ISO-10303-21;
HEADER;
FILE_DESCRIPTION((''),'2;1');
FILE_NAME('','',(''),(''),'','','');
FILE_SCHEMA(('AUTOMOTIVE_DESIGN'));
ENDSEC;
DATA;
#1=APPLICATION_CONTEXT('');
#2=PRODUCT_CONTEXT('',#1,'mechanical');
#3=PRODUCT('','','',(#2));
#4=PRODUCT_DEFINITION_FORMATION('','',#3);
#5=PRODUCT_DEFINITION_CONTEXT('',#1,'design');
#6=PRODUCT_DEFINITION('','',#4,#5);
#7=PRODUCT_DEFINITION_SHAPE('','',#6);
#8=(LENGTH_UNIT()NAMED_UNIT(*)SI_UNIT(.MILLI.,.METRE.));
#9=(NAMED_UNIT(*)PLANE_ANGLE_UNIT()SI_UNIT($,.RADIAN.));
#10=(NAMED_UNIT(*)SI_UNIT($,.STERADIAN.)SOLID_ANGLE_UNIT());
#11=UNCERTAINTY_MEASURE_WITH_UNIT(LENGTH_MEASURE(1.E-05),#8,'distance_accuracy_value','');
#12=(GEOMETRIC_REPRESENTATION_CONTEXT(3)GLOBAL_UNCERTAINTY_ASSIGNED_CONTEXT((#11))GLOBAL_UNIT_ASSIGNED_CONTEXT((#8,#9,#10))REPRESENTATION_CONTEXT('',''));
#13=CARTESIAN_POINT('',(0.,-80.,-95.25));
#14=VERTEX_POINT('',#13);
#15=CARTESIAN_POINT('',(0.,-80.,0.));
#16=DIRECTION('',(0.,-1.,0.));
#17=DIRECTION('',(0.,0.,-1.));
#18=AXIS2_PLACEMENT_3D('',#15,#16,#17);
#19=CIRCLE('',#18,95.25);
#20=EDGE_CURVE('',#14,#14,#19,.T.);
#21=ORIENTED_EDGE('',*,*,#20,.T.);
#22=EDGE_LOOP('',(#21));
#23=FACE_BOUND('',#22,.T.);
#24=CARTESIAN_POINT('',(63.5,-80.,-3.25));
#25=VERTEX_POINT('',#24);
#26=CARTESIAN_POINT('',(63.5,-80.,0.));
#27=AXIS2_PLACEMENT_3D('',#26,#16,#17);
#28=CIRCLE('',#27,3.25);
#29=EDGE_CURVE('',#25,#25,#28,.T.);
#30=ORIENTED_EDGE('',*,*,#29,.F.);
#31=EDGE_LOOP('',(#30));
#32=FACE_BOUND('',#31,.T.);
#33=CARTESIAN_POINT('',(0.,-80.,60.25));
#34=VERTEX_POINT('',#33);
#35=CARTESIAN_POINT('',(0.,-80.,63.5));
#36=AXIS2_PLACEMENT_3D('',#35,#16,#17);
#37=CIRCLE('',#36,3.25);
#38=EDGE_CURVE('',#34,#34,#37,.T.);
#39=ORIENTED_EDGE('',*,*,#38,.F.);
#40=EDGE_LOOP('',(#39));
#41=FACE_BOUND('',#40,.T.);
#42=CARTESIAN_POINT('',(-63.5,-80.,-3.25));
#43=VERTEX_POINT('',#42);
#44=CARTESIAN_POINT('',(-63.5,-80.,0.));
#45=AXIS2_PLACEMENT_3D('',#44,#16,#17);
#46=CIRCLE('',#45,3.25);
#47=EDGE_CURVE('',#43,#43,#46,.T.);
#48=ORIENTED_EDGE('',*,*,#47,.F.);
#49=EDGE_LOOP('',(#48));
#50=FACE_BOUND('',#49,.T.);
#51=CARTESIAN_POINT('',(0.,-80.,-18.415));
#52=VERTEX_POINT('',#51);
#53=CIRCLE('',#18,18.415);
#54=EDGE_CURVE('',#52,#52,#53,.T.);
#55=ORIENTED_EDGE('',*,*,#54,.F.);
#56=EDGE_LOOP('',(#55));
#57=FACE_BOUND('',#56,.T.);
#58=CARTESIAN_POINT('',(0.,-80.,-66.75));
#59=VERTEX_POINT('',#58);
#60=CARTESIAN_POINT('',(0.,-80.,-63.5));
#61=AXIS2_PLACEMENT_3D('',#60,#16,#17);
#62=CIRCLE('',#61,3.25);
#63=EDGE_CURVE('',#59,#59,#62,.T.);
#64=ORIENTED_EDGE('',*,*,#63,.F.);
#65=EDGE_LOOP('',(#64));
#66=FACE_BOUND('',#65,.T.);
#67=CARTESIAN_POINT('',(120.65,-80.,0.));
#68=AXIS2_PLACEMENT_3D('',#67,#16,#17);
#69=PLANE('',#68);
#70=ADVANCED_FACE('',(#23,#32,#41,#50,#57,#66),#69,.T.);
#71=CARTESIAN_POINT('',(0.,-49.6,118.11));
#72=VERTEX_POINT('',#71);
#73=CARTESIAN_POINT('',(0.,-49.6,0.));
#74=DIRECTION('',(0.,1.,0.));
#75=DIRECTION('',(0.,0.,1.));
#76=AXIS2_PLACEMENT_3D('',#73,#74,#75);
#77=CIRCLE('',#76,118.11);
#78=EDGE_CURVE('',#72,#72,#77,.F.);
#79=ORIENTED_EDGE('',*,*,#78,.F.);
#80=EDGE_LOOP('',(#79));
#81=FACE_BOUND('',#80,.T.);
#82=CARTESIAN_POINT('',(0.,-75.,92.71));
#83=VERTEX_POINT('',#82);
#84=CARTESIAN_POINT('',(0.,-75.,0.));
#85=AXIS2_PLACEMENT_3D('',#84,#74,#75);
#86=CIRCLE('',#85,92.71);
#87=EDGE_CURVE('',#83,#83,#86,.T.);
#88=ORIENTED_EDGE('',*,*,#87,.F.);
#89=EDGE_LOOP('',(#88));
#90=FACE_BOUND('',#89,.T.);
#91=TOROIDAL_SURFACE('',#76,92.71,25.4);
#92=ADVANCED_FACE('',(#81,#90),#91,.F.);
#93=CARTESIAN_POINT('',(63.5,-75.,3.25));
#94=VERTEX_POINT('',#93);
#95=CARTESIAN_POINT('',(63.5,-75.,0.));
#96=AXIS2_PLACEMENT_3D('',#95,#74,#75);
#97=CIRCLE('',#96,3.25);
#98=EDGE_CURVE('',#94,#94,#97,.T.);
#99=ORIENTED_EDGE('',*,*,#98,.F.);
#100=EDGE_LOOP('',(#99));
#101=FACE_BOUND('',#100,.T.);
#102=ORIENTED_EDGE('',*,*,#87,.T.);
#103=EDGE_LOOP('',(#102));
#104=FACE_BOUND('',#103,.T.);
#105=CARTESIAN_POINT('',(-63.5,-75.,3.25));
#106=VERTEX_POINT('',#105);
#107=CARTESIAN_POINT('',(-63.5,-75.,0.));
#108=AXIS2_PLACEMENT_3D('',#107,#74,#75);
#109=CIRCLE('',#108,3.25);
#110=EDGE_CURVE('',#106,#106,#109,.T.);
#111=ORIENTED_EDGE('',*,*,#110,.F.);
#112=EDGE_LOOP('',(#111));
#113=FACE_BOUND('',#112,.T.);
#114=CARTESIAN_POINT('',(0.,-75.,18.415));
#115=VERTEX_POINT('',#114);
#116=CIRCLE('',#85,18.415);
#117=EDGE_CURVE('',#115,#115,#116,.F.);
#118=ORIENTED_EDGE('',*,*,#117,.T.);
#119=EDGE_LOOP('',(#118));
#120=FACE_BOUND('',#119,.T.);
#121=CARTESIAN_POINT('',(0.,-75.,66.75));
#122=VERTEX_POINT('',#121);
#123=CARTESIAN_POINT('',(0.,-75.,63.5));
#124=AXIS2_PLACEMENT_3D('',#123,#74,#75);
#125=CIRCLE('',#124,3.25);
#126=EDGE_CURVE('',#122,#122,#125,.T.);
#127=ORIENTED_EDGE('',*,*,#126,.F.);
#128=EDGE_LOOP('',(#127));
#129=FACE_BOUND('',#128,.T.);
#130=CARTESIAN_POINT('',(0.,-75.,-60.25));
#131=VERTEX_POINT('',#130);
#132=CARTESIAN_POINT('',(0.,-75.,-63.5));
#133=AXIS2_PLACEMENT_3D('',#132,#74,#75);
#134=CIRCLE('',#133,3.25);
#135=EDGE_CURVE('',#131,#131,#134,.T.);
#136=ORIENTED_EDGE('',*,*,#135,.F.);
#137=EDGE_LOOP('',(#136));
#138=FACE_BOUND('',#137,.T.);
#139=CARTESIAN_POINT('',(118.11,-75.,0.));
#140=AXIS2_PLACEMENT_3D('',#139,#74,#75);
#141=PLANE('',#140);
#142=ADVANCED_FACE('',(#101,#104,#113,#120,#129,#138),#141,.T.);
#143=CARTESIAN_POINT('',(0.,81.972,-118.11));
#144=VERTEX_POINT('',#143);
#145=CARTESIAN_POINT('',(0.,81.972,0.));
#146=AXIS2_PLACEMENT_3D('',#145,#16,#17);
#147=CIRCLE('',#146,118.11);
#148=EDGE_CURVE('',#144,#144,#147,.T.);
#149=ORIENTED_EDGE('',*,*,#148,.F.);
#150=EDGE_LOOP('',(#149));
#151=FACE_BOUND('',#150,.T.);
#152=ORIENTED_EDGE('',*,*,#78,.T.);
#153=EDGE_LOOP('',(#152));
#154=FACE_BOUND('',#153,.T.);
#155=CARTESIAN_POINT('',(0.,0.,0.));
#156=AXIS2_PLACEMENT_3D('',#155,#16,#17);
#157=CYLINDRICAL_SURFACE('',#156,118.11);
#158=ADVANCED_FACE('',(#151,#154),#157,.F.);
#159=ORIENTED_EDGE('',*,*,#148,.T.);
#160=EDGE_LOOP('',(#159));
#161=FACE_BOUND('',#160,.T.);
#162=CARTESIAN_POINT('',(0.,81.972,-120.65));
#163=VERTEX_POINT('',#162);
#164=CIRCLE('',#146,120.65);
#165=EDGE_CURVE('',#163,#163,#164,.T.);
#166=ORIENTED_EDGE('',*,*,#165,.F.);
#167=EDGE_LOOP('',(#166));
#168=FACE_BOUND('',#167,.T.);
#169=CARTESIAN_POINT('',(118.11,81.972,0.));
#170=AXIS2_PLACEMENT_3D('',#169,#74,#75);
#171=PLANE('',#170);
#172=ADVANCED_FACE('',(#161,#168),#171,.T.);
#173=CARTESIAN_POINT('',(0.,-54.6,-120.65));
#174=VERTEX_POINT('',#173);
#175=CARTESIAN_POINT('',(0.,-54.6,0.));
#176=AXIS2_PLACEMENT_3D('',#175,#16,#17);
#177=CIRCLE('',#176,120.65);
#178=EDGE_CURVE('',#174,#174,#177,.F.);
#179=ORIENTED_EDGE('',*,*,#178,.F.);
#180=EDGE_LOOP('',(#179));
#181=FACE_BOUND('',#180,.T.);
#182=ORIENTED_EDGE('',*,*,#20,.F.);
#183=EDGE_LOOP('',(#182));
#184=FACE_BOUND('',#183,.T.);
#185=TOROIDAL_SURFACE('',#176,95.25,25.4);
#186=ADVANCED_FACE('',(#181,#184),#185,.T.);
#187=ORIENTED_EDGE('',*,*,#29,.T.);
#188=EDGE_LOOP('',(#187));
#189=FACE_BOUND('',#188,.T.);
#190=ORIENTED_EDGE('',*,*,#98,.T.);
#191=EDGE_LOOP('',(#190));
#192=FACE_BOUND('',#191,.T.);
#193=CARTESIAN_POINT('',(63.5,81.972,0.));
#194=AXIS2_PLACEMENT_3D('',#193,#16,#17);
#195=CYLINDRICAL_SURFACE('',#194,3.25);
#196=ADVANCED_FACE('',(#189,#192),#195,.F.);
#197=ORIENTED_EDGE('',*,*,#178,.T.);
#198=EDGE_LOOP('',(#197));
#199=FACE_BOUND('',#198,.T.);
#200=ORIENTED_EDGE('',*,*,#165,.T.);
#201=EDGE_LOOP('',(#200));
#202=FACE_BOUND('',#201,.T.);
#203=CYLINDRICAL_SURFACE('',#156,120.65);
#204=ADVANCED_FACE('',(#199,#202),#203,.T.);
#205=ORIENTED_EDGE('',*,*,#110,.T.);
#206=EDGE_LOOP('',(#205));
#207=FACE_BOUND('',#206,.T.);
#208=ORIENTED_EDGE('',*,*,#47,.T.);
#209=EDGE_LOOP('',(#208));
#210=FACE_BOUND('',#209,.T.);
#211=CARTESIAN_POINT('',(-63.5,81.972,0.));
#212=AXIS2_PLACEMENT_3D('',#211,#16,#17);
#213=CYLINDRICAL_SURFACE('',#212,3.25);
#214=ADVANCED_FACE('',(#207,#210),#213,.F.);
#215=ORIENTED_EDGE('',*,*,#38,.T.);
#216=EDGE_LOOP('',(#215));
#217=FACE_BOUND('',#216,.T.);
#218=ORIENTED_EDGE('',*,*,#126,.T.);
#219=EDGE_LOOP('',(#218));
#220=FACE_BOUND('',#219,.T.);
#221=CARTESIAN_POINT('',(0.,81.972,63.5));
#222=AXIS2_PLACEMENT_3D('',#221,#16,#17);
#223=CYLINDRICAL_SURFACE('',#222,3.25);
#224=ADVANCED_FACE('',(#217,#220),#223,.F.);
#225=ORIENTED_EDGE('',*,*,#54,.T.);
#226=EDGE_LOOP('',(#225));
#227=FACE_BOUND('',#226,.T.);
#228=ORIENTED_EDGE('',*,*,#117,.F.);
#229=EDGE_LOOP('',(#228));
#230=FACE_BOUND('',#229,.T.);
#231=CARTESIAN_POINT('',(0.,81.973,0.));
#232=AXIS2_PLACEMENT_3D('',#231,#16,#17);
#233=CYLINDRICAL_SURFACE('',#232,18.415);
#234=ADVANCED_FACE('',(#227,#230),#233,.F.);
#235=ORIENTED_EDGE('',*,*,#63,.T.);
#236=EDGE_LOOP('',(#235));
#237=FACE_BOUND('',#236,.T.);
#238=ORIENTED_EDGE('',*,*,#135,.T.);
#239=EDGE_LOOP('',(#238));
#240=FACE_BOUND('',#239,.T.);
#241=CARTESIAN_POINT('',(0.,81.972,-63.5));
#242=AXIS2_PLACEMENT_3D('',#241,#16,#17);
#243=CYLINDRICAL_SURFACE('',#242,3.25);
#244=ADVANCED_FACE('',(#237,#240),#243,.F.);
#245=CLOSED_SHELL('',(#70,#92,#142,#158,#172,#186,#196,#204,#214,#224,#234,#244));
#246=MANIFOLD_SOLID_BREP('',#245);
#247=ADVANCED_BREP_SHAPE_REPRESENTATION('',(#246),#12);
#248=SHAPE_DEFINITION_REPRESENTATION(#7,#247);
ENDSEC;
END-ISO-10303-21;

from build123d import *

# Parameters (mm, degrees)
CUT_EXTRUDE2_REACH = 237.261
MOTOR_HOLE_R       = 18.415
SKETCH1_R          = 3.25
CUT_EXTRUDE3_DEPTH = 236.261075795
FILLET2_R          = 25.4


with BuildPart() as part:
    # Compartment → Revolve1 (revolve)
    with BuildSketch(Plane.XY, mode=Mode.PRIVATE) as revolve1_sk:
        Polygon((120.65, -80), (0, -80), (0, -75), (118.11, -75), (118.11, 81.972), (120.65, 81.972), align=None)
    revolve(revolve1_sk.sketch.rotate(Axis((0, 0, 0), (0, 1, 0)), 90), axis=Axis((0, 0, 0), (0, 1, 0)))

    # Motor Hole → Cut-Extrude2 (cut, up to next)
    with BuildSketch(Plane.XZ.offset(80), mode=Mode.PRIVATE) as cut_extrude2_sk1:
        with Locations(Location((0, 0, 0), (0, 0, 270))):
            Circle(MOTOR_HOLE_R)
    cut_extrude2_tool1 = extrude(cut_extrude2_sk1.sketch, amount=-CUT_EXTRUDE2_REACH, mode=Mode.PRIVATE) & part.part
    add(cut_extrude2_tool1.solids().sort_by_distance((0, -80, 0))[0], mode=Mode.SUBTRACT)

    # Sketch1 → Cut-Extrude3 (cut, through all)
    with BuildSketch(Plane.XZ.offset(80)):
        with Locations(Location((0, 63.5, 0), (0, 0, 270))):
            Circle(SKETCH1_R)
        with Locations(Location((0, -63.5, 0), (0, 0, 270))):
            Circle(SKETCH1_R)
        with Locations(Location((63.5, 0, 0), (0, 0, 270))):
            Circle(SKETCH1_R)
        with Locations(Location((-63.5, 0, 0), (0, 0, 270))):
            Circle(SKETCH1_R)
    extrude(amount=-CUT_EXTRUDE3_DEPTH, mode=Mode.SUBTRACT)

    # Fillet2
    fillet2_edges = [part.edges().sort_by_distance(p)[0] for p in [
        (0, -75, 118.11),
        (0, -80, 120.65),
    ]]
    fillet(fillet2_edges, radius=FILLET2_R)


solid = part.part
